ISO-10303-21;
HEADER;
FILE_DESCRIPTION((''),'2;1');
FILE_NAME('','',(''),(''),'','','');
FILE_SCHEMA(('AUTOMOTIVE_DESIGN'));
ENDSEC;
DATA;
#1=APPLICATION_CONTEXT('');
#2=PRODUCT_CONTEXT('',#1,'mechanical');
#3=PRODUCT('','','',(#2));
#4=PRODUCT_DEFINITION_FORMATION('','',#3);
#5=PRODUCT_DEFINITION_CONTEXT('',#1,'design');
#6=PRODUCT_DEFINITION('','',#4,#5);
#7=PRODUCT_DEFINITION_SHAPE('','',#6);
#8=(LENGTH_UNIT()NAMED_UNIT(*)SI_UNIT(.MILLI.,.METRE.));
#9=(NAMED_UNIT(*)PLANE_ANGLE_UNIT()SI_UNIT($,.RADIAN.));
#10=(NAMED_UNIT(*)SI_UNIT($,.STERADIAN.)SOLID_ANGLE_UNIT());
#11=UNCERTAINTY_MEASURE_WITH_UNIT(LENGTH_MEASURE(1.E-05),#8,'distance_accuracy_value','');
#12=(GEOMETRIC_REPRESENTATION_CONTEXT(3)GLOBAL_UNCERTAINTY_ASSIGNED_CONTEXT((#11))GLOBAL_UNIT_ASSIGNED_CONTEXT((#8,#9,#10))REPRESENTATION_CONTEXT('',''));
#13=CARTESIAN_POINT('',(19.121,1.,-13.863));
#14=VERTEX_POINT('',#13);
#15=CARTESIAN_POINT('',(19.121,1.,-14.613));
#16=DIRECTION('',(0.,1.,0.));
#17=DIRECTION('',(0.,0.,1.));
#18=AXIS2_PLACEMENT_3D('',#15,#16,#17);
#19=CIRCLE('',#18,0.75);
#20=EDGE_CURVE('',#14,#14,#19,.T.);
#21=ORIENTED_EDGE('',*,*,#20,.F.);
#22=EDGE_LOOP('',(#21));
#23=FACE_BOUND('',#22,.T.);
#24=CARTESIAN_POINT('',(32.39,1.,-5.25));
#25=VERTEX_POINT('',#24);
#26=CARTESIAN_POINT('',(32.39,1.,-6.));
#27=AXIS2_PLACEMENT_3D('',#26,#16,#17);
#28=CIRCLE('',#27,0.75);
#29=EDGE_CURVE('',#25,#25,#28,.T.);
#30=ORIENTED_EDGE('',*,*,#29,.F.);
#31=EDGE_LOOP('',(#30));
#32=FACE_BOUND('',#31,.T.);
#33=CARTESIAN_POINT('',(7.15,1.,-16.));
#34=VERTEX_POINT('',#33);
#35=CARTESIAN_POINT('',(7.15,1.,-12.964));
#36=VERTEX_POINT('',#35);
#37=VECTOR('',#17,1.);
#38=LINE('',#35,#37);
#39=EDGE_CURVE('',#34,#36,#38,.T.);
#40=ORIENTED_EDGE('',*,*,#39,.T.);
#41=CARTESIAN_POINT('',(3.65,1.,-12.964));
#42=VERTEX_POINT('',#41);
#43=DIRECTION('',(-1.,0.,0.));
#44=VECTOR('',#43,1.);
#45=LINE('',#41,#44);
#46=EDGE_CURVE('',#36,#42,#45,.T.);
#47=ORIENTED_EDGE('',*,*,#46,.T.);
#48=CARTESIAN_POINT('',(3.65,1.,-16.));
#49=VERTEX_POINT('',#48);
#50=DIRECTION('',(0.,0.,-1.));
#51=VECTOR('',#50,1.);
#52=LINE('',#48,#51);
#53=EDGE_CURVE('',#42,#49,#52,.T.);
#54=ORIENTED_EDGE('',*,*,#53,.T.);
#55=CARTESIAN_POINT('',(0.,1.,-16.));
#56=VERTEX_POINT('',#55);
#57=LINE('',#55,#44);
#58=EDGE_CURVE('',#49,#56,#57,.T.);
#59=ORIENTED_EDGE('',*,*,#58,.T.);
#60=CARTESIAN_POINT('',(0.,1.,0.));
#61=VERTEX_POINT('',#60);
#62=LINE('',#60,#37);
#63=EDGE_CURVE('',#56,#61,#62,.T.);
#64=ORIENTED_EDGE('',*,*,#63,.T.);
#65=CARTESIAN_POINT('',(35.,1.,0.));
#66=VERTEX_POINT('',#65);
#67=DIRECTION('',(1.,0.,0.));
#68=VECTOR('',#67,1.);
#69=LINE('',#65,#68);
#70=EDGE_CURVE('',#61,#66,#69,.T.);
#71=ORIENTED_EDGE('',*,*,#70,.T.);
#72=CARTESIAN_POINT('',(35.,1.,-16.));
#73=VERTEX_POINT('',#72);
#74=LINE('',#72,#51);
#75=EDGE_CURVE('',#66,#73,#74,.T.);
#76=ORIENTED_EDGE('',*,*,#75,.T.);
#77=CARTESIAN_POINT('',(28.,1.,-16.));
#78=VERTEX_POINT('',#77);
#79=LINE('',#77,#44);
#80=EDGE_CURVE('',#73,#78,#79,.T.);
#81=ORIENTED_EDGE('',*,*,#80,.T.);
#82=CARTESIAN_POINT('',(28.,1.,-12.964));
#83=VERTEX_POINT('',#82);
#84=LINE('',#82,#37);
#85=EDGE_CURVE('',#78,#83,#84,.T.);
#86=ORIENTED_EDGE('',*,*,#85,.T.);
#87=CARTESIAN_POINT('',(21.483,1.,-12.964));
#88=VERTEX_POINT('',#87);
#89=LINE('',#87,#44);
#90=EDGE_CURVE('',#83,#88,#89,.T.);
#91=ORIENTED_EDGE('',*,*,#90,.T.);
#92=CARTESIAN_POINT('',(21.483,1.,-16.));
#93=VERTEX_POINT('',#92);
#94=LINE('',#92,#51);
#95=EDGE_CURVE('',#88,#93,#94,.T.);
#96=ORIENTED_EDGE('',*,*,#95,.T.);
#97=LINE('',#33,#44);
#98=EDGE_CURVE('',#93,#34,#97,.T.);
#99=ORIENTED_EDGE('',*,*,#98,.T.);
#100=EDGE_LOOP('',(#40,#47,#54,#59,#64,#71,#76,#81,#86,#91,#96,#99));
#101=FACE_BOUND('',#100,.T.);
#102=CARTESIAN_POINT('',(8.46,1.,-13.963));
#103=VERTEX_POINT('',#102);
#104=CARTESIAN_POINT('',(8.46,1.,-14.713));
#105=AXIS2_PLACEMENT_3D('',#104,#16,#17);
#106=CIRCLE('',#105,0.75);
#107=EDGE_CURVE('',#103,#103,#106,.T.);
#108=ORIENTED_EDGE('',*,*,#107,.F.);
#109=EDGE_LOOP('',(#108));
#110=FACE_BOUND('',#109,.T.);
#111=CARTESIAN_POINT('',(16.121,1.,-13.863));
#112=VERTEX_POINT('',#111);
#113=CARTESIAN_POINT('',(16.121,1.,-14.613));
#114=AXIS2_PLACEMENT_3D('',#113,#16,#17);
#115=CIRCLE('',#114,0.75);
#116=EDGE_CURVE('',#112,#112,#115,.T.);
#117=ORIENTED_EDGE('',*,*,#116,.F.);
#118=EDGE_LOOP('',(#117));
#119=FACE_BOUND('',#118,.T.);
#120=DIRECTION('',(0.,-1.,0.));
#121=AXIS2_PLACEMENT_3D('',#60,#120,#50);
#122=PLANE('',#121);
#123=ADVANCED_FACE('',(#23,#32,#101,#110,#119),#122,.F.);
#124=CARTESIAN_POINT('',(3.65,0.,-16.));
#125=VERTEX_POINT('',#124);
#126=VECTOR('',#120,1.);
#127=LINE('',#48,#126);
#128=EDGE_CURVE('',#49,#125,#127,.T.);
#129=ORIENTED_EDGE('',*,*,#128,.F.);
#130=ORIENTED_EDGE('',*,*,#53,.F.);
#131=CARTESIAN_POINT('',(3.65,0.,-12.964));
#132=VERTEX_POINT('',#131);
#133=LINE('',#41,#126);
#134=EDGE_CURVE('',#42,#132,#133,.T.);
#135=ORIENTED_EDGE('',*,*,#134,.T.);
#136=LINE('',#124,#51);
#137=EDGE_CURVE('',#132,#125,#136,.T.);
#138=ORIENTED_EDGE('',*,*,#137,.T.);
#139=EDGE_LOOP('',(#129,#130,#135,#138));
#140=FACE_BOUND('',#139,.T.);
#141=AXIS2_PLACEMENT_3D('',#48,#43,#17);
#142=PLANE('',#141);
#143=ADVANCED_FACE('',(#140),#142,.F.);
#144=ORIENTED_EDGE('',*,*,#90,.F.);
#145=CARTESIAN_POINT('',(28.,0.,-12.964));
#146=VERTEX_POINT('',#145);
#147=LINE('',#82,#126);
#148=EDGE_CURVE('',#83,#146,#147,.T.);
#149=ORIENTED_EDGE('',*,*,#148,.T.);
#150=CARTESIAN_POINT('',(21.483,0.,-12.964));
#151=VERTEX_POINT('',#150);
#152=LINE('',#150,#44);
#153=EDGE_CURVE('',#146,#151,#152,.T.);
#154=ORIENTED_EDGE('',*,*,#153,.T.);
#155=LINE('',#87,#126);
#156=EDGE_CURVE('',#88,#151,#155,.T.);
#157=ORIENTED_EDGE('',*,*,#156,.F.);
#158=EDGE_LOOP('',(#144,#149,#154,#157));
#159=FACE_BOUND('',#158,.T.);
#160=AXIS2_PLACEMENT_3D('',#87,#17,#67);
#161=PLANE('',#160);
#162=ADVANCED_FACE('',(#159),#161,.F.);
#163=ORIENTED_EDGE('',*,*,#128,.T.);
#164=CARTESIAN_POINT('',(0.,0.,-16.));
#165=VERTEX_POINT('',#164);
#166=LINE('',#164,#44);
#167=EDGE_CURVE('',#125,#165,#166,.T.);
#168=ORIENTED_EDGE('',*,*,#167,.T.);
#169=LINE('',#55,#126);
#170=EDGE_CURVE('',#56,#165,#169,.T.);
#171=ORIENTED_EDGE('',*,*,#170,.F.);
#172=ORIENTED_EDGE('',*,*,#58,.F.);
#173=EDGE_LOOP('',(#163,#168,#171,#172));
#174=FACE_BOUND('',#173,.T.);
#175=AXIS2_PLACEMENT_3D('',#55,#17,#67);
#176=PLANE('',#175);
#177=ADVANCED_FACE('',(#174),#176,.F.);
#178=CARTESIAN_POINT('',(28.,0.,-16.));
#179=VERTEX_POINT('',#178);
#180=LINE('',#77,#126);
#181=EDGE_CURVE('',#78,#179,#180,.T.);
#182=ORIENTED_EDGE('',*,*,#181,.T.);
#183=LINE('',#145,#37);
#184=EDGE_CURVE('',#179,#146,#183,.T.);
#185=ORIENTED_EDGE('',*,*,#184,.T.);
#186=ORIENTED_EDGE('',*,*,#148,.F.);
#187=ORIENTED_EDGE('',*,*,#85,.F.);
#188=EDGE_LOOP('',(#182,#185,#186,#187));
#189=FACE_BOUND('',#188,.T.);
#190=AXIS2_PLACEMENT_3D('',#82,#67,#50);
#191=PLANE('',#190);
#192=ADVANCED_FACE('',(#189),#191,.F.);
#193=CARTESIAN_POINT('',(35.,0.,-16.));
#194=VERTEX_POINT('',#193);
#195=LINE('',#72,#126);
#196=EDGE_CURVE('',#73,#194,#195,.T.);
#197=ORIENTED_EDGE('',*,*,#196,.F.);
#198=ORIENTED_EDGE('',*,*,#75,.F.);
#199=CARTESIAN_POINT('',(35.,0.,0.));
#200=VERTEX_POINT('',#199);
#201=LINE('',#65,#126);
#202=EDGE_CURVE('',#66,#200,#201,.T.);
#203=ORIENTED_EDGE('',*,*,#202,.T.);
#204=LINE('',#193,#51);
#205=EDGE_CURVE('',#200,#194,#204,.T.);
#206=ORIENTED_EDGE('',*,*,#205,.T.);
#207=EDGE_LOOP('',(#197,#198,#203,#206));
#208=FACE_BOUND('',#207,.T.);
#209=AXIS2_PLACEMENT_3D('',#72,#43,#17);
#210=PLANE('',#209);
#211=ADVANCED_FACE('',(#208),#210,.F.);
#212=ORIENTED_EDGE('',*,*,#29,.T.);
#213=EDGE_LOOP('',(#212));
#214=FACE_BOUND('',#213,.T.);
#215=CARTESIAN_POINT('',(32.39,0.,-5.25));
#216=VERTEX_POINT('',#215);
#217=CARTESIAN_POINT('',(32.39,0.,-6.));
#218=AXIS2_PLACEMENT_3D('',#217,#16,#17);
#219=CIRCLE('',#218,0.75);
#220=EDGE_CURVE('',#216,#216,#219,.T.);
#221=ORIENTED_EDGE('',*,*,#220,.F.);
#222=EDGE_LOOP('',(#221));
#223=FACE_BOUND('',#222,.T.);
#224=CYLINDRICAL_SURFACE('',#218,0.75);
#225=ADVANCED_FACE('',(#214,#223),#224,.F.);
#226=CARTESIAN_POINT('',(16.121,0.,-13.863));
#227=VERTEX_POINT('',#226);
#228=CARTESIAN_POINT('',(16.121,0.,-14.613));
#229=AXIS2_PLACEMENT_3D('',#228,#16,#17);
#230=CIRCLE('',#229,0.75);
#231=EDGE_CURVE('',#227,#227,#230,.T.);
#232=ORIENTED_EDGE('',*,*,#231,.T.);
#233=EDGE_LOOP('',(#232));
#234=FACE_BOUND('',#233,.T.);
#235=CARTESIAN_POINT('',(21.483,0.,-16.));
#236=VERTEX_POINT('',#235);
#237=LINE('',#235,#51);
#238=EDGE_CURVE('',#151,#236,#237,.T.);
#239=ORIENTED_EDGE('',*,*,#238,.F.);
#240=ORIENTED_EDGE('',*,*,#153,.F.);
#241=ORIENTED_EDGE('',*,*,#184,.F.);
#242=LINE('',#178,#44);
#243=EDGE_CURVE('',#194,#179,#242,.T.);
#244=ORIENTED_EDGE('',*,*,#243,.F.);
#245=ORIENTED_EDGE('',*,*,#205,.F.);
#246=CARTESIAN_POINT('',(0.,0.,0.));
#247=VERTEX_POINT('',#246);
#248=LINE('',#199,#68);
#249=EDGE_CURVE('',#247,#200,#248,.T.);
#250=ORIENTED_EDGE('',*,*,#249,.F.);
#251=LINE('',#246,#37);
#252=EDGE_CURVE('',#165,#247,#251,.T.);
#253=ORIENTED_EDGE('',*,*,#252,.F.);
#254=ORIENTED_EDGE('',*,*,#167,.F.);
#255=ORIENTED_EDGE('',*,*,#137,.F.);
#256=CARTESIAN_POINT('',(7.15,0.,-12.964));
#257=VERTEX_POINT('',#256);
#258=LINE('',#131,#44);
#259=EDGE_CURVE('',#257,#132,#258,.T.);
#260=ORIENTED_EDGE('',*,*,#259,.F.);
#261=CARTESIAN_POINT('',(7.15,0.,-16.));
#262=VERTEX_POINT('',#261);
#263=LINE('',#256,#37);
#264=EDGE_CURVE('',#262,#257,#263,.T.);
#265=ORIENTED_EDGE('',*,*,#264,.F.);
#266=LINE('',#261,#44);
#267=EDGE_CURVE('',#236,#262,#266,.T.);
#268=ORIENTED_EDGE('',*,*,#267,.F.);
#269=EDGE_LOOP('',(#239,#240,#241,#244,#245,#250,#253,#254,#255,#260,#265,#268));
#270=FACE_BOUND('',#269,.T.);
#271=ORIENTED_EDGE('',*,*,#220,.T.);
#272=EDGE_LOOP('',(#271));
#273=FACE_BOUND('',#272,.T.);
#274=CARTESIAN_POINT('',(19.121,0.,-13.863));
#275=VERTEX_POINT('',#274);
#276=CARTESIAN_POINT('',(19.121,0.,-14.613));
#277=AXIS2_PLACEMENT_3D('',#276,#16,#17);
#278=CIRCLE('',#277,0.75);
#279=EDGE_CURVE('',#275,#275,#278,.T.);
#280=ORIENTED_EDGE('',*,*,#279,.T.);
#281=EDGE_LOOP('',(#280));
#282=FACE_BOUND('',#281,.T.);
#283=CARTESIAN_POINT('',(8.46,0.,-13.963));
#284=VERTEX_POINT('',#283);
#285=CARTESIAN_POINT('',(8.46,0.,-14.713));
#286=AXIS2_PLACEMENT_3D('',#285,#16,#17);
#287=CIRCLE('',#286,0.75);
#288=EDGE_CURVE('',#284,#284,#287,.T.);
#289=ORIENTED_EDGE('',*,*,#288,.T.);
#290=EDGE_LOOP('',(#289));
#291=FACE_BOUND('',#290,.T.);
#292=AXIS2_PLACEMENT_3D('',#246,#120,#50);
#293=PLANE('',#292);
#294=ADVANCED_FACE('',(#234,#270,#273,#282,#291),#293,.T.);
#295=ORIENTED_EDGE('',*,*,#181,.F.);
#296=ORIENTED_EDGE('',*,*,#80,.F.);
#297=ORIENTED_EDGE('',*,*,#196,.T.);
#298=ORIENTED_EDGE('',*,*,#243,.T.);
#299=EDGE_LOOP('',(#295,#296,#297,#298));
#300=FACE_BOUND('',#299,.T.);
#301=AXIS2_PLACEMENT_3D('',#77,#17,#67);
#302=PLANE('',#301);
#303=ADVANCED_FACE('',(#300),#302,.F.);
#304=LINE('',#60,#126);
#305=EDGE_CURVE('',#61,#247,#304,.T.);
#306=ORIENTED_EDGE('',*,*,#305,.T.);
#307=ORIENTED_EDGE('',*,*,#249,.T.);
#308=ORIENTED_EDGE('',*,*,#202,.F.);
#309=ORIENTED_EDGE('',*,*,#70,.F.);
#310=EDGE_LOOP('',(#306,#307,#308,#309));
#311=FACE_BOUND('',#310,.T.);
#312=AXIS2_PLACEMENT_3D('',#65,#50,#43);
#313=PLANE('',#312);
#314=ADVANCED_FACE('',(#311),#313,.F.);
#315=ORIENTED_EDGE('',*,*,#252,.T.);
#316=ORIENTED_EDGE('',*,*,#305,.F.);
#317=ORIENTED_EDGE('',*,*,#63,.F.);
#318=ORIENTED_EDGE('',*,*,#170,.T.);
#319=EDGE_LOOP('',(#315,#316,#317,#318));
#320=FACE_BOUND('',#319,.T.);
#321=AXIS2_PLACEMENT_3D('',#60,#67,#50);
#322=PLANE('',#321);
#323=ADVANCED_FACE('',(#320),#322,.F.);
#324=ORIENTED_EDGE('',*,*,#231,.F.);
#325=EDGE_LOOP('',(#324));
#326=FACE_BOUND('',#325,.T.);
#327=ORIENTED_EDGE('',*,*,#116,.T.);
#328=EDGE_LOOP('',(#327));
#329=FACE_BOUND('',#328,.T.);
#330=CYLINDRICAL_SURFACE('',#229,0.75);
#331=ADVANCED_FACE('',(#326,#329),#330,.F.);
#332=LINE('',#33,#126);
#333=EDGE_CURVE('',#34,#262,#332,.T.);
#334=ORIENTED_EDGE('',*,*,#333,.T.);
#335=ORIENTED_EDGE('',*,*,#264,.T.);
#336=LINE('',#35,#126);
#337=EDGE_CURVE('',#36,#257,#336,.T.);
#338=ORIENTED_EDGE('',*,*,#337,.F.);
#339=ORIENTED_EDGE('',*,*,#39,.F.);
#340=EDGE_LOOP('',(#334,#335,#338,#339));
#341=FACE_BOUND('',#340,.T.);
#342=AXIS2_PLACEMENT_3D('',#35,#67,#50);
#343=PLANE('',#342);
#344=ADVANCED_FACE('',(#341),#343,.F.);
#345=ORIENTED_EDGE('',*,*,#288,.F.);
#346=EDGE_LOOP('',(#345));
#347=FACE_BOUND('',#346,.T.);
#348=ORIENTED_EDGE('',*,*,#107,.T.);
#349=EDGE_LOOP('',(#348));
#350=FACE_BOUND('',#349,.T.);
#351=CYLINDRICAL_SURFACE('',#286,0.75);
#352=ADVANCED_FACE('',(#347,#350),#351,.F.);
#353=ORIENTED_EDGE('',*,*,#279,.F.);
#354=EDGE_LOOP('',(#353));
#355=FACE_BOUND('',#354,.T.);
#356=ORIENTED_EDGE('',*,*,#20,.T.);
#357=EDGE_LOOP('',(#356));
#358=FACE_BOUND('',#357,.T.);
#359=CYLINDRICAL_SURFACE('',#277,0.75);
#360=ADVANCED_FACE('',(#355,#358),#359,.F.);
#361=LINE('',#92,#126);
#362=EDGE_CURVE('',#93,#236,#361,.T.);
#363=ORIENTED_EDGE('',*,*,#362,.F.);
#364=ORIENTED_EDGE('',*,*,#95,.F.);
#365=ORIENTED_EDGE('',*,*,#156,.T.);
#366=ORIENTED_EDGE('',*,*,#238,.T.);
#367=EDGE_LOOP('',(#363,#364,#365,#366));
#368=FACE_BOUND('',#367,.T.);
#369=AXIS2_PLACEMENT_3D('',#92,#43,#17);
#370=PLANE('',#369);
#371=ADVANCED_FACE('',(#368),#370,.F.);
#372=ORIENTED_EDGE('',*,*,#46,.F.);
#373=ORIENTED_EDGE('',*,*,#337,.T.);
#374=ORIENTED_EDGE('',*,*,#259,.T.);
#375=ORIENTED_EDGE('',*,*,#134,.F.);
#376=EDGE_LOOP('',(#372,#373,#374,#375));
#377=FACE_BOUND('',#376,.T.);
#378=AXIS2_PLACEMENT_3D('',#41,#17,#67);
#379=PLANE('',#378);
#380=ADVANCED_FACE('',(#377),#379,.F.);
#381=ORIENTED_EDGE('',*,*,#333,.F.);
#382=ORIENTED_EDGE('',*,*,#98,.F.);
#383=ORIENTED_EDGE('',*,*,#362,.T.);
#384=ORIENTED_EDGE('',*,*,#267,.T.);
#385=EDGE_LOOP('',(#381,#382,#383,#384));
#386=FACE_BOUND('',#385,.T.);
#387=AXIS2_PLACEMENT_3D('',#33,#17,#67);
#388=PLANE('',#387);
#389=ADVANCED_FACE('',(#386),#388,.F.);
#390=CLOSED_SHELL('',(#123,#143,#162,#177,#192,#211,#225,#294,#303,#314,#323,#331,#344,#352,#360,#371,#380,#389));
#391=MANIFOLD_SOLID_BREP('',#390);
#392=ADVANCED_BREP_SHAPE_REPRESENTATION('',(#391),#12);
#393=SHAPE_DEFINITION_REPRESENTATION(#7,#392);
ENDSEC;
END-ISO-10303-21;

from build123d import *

# Parameters (mm, degrees)
BOSS_EXTRUDE1_DEPTH     = 1
SKETCH3_R               = 0.75
CUT_EXTRUDE2_DEPTH      = 39.49675311
CUT_EXTRUDE3_DEPTH      = 39.49675311
CUT_EXTRUDE3_DEPTH_BACK = 39.49675311
SKETCH4_R               = 0.75


with BuildPart() as part:
    # Sketch1 → Boss-Extrude1 (new body)
    with BuildSketch(Plane(origin=(0, 0, 0), x_dir=(1, 0, 0), z_dir=(0, 1, 0))):
        Polygon((0, 0), (0, 16), (3.65, 16), (3.65, 12.964), (7.15, 12.964), (7.15, 16), (21.483, 16), (21.483, 12.964), (28, 12.964), (28, 16), (35, 16), (35, 0), align=None)
    extrude(amount=BOSS_EXTRUDE1_DEPTH)

    # Sketch3 → Cut-Extrude2 (cut, through all)
    with BuildSketch(Plane(origin=(0, 1, 0), x_dir=(1, 0, 0), z_dir=(0, 1, 0))):
        with Locations(Location((32.39, 6, 0), (0, 0, 270))):
            Circle(SKETCH3_R)
    extrude(amount=-CUT_EXTRUDE2_DEPTH, mode=Mode.SUBTRACT)

    # Sketch4 → Cut-Extrude3 (cut, two sides: drawn at the far end of the back side and taken through both)
    with BuildSketch(Plane(origin=(0, 1, 0), x_dir=(1, 0, 0), z_dir=(0, 1, 0)).offset(-CUT_EXTRUDE3_DEPTH_BACK)):
        with Locations(Location((8.46, 14.713, 0), (0, 0, 270))):
            Circle(SKETCH4_R)
        with Locations(Location((16.121, 14.613, 0), (0, 0, 270))):
            Circle(SKETCH4_R)
        with Locations(Location((19.121, 14.613, 0), (0, 0, 270))):
            Circle(SKETCH4_R)
    extrude(amount=CUT_EXTRUDE3_DEPTH + CUT_EXTRUDE3_DEPTH_BACK, mode=Mode.SUBTRACT)


solid = part.part
